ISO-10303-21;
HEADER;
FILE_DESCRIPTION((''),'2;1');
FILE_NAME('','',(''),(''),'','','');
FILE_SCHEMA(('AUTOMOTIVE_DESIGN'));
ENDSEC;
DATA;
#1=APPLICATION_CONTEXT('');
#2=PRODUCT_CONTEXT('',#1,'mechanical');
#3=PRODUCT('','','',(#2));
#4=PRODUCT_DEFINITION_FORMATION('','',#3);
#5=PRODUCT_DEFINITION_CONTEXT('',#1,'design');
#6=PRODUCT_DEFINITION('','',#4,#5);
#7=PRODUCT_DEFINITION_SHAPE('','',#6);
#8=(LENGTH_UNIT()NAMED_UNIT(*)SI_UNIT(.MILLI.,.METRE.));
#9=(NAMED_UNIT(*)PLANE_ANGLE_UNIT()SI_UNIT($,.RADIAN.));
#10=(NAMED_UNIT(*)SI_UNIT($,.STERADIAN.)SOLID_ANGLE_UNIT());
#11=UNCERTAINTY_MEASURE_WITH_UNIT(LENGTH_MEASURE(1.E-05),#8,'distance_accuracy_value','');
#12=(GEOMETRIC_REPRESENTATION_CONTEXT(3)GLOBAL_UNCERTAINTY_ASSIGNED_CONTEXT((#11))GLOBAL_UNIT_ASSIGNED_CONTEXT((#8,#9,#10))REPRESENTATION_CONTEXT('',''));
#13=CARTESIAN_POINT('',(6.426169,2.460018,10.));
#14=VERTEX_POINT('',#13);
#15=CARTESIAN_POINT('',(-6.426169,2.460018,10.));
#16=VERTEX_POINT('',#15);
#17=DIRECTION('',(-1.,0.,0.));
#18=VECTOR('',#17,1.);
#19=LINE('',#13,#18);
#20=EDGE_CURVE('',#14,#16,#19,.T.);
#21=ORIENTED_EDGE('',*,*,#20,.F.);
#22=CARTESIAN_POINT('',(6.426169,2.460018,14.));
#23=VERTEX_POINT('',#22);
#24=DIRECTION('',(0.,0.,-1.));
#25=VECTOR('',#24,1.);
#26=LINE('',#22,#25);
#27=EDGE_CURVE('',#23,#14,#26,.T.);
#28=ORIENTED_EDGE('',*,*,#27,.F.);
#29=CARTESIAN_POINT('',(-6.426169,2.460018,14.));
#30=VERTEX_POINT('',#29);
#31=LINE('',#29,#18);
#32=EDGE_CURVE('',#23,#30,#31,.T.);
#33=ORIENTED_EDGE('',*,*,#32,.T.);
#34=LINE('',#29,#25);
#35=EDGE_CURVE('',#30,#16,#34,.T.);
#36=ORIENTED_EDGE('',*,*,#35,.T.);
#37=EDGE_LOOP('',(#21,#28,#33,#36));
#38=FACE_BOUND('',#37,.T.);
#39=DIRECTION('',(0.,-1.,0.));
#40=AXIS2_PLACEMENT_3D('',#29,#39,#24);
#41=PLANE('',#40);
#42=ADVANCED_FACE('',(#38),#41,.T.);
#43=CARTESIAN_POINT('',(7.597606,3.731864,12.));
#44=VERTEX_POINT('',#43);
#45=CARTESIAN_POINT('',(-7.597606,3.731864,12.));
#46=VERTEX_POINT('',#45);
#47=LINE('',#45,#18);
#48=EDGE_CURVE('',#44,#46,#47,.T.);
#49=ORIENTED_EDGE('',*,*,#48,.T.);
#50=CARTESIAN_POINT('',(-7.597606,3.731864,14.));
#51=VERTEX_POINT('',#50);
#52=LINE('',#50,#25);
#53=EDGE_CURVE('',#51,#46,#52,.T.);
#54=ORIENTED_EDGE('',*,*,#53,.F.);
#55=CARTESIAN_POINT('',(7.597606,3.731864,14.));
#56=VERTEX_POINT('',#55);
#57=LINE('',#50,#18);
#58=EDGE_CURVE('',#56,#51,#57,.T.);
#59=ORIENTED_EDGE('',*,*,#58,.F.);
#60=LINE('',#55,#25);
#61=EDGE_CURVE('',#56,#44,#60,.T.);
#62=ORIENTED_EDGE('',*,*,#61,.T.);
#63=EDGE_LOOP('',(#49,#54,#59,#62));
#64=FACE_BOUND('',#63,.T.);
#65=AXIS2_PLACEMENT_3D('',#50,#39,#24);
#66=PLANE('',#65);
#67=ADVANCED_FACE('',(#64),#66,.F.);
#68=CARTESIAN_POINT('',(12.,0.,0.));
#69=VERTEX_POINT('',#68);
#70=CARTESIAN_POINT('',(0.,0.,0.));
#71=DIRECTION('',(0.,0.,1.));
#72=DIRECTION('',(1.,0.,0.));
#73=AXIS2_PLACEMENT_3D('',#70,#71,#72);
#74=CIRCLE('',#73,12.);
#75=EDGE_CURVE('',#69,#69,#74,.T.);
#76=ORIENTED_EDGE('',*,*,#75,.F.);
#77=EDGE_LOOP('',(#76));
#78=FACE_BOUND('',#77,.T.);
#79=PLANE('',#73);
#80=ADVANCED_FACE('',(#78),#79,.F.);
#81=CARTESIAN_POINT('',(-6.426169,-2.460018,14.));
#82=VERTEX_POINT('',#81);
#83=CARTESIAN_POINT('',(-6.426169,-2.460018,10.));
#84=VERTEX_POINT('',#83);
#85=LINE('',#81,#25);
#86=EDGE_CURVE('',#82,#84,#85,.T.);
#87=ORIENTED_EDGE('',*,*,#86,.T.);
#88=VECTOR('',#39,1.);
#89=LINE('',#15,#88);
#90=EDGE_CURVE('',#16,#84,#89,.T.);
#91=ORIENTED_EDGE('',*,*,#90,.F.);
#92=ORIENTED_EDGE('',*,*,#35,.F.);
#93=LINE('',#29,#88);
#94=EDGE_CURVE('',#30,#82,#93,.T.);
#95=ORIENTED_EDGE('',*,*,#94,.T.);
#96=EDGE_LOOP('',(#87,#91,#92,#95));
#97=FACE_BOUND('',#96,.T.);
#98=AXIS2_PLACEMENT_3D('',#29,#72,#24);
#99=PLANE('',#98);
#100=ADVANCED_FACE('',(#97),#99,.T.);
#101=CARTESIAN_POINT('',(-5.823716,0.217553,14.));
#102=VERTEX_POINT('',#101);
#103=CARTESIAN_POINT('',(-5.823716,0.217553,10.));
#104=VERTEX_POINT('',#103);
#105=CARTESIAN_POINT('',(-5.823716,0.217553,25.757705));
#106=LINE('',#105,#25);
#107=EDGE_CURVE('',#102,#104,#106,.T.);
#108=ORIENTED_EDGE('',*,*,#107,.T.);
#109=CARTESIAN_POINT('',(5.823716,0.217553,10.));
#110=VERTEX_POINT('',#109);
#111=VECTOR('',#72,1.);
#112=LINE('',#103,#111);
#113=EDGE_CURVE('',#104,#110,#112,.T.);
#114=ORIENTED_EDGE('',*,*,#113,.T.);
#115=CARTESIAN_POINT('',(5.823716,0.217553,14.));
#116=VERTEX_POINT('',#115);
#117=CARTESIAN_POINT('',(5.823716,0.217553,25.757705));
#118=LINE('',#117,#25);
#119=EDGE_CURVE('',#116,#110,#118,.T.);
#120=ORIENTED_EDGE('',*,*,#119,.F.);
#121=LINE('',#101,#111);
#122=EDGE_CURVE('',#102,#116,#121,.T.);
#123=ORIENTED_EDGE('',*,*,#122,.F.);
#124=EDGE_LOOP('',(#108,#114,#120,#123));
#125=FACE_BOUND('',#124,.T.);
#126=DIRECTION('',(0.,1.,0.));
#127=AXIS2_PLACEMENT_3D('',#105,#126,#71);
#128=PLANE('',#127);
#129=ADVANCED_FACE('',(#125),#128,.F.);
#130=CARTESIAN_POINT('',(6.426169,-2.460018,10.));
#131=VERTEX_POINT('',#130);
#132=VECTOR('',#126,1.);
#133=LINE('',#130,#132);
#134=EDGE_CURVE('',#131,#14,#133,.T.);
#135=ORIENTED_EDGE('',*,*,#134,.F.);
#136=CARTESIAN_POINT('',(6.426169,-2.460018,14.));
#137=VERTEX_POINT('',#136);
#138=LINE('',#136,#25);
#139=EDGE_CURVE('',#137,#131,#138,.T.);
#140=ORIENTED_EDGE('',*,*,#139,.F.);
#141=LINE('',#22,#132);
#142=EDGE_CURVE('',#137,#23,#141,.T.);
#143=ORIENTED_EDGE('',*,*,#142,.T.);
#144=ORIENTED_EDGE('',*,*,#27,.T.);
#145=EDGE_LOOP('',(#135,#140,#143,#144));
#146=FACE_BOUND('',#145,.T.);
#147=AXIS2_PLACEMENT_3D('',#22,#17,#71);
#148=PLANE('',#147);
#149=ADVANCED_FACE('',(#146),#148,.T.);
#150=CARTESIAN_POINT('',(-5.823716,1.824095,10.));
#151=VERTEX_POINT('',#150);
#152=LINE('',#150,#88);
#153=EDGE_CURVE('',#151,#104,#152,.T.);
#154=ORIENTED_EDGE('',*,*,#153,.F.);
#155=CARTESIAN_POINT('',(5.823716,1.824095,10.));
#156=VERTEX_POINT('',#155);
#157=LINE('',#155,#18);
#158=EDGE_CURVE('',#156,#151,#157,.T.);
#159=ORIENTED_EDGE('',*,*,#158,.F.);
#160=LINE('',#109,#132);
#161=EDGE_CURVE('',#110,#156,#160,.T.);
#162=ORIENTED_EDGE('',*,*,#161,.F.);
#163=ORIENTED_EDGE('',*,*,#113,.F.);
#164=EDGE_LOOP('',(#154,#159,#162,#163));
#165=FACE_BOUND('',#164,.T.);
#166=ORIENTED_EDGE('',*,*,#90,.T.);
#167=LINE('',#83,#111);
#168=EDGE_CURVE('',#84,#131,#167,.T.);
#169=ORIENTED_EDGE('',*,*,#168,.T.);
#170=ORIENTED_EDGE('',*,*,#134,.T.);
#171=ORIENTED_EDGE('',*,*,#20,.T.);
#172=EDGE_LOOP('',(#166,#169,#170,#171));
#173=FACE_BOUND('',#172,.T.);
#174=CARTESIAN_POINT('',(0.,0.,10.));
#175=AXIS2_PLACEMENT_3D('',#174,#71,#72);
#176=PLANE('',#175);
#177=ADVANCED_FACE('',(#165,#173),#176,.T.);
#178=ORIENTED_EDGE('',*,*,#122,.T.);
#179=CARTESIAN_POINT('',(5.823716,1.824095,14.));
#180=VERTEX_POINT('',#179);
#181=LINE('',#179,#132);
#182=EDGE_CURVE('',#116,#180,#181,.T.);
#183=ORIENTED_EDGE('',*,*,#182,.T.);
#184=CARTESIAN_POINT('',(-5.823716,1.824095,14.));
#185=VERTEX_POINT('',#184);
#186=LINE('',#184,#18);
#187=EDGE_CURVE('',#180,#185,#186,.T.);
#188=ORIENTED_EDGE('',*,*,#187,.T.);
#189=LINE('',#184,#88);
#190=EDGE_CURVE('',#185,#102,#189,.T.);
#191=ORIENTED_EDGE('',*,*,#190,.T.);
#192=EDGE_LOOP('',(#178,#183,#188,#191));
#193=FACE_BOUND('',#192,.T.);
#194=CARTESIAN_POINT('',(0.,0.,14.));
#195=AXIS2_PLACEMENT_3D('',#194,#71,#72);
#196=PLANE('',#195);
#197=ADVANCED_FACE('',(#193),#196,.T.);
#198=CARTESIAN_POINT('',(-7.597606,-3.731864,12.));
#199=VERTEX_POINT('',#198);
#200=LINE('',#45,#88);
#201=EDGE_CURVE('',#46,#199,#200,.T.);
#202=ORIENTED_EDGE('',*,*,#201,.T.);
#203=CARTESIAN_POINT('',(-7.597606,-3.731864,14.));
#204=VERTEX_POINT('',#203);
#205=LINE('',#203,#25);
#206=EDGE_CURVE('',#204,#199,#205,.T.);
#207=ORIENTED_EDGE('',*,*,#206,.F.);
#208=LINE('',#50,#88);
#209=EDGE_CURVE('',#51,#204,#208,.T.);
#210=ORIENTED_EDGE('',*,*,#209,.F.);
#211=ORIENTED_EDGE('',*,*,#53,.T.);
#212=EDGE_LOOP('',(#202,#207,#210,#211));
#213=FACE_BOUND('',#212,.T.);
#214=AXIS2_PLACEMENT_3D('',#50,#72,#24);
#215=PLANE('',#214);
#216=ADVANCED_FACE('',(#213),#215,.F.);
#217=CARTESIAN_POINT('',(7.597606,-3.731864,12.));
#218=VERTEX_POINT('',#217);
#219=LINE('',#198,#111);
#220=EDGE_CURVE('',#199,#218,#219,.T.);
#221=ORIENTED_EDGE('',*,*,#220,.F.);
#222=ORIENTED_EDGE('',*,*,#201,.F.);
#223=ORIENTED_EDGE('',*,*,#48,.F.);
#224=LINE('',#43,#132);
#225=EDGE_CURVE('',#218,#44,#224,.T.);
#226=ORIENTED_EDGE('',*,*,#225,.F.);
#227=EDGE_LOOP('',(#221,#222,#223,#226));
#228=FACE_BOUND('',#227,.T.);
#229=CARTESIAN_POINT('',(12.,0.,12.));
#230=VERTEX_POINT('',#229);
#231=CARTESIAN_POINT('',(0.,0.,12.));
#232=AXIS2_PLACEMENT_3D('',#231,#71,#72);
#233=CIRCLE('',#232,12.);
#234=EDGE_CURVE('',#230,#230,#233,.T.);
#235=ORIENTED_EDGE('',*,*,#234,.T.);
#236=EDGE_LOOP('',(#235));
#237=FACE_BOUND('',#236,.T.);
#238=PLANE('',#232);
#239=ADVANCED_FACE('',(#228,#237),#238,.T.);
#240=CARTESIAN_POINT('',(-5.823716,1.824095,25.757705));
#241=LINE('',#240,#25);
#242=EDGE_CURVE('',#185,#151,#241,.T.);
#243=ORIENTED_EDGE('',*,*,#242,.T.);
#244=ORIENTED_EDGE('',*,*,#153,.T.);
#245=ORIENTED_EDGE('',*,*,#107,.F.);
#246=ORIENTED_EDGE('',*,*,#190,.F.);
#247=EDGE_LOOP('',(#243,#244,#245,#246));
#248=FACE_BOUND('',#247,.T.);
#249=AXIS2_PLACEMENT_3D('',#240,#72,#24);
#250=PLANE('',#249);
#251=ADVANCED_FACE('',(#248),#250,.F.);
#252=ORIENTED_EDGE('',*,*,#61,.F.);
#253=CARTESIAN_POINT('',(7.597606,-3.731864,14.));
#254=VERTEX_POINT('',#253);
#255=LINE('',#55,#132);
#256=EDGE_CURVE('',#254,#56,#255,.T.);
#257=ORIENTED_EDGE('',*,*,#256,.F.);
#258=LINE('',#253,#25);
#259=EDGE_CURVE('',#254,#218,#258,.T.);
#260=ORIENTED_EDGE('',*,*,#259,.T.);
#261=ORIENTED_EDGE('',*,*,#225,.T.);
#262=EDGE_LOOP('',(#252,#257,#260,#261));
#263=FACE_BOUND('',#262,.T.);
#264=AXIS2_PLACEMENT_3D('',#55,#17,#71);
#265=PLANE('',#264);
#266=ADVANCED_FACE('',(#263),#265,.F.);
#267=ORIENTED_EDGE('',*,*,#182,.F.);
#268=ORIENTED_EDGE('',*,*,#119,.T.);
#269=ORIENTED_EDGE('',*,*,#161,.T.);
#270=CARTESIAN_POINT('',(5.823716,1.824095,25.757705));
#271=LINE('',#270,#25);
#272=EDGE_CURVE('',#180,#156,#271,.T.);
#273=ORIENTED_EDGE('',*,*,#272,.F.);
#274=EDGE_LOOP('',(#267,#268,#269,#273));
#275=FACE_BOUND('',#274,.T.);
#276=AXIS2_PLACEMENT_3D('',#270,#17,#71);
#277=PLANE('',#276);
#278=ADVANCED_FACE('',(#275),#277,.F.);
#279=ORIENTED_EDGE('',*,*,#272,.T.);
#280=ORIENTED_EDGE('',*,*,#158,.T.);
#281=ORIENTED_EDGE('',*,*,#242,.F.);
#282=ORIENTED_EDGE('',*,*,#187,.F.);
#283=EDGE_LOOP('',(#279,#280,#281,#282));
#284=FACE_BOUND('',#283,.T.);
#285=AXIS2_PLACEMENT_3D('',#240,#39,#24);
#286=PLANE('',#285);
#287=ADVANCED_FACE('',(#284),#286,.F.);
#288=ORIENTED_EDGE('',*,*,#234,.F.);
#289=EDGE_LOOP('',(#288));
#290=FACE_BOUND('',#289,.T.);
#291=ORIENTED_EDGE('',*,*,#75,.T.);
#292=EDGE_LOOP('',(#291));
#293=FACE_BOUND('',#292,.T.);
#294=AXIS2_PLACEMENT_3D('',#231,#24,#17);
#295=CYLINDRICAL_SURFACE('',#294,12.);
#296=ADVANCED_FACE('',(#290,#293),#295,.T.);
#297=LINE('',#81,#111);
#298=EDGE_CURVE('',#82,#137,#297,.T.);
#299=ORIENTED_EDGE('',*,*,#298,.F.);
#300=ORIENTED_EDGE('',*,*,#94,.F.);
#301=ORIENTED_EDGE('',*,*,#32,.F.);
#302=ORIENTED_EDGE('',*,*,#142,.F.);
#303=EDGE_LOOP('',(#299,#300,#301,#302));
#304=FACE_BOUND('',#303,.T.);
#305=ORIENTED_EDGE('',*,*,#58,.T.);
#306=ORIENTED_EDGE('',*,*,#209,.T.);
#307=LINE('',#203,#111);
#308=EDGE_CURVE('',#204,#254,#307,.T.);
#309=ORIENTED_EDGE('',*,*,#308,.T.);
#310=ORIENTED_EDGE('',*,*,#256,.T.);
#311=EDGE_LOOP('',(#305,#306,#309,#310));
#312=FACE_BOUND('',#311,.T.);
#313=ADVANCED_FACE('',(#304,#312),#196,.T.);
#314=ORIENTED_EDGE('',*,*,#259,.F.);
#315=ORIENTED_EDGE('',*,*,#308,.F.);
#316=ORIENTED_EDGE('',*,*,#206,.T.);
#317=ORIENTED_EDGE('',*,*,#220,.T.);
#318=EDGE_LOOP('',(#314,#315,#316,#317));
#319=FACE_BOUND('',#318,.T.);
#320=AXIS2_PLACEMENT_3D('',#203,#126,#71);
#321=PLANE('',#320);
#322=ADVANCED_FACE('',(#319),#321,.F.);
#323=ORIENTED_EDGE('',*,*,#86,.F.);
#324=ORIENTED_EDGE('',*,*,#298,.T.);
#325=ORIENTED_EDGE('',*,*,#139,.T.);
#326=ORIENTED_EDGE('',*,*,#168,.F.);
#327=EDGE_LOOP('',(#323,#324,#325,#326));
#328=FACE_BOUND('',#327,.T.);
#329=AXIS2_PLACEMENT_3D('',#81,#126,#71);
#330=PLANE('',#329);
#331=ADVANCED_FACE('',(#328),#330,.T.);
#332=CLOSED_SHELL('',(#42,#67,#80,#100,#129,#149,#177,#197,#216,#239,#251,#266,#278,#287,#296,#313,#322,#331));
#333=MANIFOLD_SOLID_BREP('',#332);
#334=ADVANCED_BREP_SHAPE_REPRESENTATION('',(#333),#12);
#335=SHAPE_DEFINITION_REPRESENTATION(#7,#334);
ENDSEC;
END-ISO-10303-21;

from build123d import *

# Parameters (mm, degrees)
SKETCH2_R           = 12
BOSS_EXTRUDE1_DEPTH = 12
SKETCH4_W           = 15.195212274
SKETCH4_H           = 7.463727614
SKETCH4_W_2         = 12.852338134
SKETCH4_H_2         = 4.920035692
BOSS_EXTRUDE2_DEPTH = 2
SKETCH5_W           = 11.647431434
SKETCH5_H           = 1.606542266
BOSS_EXTRUDE3_DEPTH = 2
SKETCH6_W           = 12.852338134
SKETCH6_H           = 4.920035692
SKETCH6_W_2         = 11.647431434
SKETCH6_H_2         = 1.606542266
CUT_EXTRUDE1_DEPTH  = 2


with BuildPart() as part:
    # Sketch2 → Boss-Extrude1 (new body)
    with BuildSketch(Plane.XY):
        Circle(SKETCH2_R)
    extrude(amount=BOSS_EXTRUDE1_DEPTH)

    # Sketch4 → Boss-Extrude2 (add)
    with BuildSketch(Plane.XY.offset(12)):
        Rectangle(SKETCH4_W, SKETCH4_H)
        Rectangle(SKETCH4_W_2, SKETCH4_H_2, mode=Mode.SUBTRACT)
    extrude(amount=BOSS_EXTRUDE2_DEPTH)

    # Sketch5 → Boss-Extrude3 (add)
    with BuildSketch(Plane.XY.offset(12)):
        with Locations((0, 1.020823732)):
            Rectangle(SKETCH5_W, SKETCH5_H)
    extrude(amount=BOSS_EXTRUDE3_DEPTH)

    # Sketch6 → Cut-Extrude1 (cut)
    with BuildSketch(Plane.XY.offset(12)):
        Rectangle(SKETCH6_W, SKETCH6_H)
        with Locations((0, 1.020823732)):
            Rectangle(SKETCH6_W_2, SKETCH6_H_2, mode=Mode.SUBTRACT)
    extrude(amount=-CUT_EXTRUDE1_DEPTH, mode=Mode.SUBTRACT)


solid = part.part
